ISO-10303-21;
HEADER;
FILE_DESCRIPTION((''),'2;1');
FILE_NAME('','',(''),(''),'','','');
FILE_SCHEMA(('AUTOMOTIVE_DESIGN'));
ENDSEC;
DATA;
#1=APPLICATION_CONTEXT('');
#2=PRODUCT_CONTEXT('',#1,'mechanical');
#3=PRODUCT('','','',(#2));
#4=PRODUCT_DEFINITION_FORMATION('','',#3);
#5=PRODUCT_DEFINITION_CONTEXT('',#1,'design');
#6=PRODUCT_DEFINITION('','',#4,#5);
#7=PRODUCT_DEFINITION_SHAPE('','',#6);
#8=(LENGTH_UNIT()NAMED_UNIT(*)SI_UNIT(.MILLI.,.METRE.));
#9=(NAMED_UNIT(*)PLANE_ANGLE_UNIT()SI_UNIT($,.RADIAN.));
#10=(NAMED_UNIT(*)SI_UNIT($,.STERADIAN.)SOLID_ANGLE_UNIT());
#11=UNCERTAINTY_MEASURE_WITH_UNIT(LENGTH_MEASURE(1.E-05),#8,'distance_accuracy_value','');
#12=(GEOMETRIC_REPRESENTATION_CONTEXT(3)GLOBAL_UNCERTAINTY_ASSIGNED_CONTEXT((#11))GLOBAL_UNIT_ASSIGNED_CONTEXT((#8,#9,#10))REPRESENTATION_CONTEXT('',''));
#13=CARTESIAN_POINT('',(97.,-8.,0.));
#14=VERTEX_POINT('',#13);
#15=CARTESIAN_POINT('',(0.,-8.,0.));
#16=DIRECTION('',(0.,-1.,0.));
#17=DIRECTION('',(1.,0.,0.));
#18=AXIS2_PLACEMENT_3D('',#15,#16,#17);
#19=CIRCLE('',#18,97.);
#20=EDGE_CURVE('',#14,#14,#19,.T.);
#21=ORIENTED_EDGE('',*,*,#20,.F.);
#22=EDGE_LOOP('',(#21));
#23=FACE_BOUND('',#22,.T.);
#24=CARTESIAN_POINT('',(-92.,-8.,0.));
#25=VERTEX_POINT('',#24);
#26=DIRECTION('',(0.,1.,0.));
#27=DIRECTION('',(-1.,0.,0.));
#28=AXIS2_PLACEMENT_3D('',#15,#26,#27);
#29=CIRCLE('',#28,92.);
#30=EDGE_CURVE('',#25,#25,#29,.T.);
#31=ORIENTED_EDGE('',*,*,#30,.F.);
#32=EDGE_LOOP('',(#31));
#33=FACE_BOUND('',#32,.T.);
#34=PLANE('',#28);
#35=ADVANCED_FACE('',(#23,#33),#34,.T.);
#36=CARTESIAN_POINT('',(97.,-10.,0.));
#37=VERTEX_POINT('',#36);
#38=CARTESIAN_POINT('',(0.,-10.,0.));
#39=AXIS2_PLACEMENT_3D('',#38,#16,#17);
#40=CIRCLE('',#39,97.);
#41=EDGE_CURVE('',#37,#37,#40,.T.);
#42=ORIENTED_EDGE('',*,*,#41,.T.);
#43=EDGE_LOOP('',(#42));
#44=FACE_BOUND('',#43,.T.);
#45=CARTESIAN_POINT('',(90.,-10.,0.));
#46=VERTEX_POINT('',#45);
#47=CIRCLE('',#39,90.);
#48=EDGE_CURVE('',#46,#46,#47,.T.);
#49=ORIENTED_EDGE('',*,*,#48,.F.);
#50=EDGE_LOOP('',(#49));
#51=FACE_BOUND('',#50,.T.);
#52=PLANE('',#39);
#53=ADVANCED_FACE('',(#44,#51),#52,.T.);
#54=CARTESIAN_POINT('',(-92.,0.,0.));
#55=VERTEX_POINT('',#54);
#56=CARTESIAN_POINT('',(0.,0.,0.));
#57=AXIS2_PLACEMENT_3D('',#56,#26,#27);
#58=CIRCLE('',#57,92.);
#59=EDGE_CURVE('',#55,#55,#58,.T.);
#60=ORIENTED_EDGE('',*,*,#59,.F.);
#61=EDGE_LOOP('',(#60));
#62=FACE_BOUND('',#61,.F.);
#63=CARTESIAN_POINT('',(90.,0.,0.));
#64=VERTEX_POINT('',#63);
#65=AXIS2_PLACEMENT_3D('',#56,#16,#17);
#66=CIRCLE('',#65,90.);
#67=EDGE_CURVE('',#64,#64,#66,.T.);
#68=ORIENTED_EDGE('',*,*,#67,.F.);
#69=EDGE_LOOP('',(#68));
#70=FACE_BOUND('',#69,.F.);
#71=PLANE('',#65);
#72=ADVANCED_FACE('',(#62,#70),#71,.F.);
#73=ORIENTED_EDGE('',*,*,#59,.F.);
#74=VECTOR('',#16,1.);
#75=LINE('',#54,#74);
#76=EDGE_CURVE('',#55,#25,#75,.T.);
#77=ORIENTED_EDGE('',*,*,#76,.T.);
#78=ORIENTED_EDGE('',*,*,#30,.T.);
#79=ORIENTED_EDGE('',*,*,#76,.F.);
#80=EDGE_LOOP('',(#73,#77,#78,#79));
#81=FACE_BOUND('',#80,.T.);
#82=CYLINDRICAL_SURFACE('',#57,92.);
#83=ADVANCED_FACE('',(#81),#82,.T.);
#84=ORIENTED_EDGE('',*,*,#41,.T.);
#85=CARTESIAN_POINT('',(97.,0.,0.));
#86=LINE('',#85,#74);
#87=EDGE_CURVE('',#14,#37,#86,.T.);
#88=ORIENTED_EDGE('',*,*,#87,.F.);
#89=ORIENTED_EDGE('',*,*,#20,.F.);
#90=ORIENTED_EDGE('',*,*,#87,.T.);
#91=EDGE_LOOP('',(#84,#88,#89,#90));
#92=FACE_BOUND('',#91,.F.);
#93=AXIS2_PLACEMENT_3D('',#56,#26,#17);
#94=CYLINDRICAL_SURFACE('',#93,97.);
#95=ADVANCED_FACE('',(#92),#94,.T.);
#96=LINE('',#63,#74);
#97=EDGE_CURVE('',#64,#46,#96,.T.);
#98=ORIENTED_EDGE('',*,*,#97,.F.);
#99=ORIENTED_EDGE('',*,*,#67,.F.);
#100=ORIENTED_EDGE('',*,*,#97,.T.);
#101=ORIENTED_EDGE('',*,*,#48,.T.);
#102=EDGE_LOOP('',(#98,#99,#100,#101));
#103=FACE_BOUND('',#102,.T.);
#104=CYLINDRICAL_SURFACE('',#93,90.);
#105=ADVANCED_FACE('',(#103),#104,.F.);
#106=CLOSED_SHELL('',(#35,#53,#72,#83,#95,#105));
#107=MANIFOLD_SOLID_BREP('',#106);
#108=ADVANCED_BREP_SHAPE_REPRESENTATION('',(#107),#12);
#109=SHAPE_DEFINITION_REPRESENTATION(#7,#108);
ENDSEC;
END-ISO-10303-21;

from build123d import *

# Parameters (mm, degrees)
F0_R     = 97
F0_R_2   = 90
F1_DEPTH = 10
F2_R     = 97
F2_R_2   = 92
F3_DEPTH = 8


with BuildPart() as f1:
    # F0 (on Front) → F1 (new body)
    with BuildSketch(Plane.XZ):
        Circle(F0_R)
        Circle(F0_R_2, mode=Mode.SUBTRACT)
    extrude(amount=F1_DEPTH)

    # F2 (on face) → F3 (cut)
    with BuildSketch(Plane(origin=(0, 0, 0), x_dir=(-1, 0, 0), z_dir=(0, 1, 0))):
        Circle(F2_R)
        Circle(F2_R_2, mode=Mode.SUBTRACT)
    extrude(amount=-F3_DEPTH, mode=Mode.SUBTRACT)


solid = f1.part
